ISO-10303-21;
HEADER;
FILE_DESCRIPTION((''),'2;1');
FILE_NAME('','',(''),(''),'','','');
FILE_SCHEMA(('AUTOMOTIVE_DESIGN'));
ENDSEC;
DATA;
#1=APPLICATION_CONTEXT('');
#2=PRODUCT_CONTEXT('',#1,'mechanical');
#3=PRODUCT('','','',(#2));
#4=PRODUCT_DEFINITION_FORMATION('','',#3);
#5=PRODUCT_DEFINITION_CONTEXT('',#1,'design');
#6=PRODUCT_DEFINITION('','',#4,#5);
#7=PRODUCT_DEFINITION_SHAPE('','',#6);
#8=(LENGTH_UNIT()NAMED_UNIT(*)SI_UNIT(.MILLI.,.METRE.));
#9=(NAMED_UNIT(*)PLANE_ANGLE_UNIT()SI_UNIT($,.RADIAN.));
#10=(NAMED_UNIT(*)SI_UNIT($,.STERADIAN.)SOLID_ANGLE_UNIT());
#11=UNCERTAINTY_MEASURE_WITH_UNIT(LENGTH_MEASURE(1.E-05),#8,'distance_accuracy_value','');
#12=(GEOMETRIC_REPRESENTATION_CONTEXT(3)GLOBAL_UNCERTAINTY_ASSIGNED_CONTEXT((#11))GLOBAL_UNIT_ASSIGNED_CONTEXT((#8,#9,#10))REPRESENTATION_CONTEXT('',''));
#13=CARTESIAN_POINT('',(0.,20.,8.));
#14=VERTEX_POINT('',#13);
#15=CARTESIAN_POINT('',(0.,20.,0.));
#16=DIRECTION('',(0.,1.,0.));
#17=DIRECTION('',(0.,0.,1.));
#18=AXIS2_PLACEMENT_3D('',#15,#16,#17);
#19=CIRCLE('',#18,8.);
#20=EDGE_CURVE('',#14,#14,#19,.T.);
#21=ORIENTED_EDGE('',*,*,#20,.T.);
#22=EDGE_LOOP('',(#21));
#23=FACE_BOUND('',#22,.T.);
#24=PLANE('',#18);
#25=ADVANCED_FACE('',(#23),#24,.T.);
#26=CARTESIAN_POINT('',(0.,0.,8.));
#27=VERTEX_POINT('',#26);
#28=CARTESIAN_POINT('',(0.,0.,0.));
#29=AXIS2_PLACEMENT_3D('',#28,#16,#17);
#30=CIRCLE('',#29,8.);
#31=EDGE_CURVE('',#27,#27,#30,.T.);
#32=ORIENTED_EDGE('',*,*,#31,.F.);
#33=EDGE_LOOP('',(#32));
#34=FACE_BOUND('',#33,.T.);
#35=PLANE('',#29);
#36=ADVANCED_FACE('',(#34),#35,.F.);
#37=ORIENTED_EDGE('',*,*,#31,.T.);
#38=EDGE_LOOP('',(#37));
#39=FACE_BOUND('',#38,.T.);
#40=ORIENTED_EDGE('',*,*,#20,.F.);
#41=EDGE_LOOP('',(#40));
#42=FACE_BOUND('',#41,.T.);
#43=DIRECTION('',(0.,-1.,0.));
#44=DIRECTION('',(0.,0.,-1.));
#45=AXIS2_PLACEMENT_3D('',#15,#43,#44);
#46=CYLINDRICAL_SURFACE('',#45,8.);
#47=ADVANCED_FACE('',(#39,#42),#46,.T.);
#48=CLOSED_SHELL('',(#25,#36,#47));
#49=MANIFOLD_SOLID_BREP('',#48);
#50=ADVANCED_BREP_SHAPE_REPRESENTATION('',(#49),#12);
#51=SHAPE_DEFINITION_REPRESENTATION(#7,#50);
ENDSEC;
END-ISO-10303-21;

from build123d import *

# Parameters (mm, degrees)
SKETCH_1_R      = 8
EXTRUDE_1_DEPTH = 20


with BuildPart() as part:
    # 草图1 → 凸台-拉伸1 (new body)
    with BuildSketch(Plane(origin=(0, 0, 0), x_dir=(1, 0, 0), z_dir=(0, 1, 0))):
        Circle(SKETCH_1_R)
    extrude(amount=EXTRUDE_1_DEPTH)


solid = part.part
